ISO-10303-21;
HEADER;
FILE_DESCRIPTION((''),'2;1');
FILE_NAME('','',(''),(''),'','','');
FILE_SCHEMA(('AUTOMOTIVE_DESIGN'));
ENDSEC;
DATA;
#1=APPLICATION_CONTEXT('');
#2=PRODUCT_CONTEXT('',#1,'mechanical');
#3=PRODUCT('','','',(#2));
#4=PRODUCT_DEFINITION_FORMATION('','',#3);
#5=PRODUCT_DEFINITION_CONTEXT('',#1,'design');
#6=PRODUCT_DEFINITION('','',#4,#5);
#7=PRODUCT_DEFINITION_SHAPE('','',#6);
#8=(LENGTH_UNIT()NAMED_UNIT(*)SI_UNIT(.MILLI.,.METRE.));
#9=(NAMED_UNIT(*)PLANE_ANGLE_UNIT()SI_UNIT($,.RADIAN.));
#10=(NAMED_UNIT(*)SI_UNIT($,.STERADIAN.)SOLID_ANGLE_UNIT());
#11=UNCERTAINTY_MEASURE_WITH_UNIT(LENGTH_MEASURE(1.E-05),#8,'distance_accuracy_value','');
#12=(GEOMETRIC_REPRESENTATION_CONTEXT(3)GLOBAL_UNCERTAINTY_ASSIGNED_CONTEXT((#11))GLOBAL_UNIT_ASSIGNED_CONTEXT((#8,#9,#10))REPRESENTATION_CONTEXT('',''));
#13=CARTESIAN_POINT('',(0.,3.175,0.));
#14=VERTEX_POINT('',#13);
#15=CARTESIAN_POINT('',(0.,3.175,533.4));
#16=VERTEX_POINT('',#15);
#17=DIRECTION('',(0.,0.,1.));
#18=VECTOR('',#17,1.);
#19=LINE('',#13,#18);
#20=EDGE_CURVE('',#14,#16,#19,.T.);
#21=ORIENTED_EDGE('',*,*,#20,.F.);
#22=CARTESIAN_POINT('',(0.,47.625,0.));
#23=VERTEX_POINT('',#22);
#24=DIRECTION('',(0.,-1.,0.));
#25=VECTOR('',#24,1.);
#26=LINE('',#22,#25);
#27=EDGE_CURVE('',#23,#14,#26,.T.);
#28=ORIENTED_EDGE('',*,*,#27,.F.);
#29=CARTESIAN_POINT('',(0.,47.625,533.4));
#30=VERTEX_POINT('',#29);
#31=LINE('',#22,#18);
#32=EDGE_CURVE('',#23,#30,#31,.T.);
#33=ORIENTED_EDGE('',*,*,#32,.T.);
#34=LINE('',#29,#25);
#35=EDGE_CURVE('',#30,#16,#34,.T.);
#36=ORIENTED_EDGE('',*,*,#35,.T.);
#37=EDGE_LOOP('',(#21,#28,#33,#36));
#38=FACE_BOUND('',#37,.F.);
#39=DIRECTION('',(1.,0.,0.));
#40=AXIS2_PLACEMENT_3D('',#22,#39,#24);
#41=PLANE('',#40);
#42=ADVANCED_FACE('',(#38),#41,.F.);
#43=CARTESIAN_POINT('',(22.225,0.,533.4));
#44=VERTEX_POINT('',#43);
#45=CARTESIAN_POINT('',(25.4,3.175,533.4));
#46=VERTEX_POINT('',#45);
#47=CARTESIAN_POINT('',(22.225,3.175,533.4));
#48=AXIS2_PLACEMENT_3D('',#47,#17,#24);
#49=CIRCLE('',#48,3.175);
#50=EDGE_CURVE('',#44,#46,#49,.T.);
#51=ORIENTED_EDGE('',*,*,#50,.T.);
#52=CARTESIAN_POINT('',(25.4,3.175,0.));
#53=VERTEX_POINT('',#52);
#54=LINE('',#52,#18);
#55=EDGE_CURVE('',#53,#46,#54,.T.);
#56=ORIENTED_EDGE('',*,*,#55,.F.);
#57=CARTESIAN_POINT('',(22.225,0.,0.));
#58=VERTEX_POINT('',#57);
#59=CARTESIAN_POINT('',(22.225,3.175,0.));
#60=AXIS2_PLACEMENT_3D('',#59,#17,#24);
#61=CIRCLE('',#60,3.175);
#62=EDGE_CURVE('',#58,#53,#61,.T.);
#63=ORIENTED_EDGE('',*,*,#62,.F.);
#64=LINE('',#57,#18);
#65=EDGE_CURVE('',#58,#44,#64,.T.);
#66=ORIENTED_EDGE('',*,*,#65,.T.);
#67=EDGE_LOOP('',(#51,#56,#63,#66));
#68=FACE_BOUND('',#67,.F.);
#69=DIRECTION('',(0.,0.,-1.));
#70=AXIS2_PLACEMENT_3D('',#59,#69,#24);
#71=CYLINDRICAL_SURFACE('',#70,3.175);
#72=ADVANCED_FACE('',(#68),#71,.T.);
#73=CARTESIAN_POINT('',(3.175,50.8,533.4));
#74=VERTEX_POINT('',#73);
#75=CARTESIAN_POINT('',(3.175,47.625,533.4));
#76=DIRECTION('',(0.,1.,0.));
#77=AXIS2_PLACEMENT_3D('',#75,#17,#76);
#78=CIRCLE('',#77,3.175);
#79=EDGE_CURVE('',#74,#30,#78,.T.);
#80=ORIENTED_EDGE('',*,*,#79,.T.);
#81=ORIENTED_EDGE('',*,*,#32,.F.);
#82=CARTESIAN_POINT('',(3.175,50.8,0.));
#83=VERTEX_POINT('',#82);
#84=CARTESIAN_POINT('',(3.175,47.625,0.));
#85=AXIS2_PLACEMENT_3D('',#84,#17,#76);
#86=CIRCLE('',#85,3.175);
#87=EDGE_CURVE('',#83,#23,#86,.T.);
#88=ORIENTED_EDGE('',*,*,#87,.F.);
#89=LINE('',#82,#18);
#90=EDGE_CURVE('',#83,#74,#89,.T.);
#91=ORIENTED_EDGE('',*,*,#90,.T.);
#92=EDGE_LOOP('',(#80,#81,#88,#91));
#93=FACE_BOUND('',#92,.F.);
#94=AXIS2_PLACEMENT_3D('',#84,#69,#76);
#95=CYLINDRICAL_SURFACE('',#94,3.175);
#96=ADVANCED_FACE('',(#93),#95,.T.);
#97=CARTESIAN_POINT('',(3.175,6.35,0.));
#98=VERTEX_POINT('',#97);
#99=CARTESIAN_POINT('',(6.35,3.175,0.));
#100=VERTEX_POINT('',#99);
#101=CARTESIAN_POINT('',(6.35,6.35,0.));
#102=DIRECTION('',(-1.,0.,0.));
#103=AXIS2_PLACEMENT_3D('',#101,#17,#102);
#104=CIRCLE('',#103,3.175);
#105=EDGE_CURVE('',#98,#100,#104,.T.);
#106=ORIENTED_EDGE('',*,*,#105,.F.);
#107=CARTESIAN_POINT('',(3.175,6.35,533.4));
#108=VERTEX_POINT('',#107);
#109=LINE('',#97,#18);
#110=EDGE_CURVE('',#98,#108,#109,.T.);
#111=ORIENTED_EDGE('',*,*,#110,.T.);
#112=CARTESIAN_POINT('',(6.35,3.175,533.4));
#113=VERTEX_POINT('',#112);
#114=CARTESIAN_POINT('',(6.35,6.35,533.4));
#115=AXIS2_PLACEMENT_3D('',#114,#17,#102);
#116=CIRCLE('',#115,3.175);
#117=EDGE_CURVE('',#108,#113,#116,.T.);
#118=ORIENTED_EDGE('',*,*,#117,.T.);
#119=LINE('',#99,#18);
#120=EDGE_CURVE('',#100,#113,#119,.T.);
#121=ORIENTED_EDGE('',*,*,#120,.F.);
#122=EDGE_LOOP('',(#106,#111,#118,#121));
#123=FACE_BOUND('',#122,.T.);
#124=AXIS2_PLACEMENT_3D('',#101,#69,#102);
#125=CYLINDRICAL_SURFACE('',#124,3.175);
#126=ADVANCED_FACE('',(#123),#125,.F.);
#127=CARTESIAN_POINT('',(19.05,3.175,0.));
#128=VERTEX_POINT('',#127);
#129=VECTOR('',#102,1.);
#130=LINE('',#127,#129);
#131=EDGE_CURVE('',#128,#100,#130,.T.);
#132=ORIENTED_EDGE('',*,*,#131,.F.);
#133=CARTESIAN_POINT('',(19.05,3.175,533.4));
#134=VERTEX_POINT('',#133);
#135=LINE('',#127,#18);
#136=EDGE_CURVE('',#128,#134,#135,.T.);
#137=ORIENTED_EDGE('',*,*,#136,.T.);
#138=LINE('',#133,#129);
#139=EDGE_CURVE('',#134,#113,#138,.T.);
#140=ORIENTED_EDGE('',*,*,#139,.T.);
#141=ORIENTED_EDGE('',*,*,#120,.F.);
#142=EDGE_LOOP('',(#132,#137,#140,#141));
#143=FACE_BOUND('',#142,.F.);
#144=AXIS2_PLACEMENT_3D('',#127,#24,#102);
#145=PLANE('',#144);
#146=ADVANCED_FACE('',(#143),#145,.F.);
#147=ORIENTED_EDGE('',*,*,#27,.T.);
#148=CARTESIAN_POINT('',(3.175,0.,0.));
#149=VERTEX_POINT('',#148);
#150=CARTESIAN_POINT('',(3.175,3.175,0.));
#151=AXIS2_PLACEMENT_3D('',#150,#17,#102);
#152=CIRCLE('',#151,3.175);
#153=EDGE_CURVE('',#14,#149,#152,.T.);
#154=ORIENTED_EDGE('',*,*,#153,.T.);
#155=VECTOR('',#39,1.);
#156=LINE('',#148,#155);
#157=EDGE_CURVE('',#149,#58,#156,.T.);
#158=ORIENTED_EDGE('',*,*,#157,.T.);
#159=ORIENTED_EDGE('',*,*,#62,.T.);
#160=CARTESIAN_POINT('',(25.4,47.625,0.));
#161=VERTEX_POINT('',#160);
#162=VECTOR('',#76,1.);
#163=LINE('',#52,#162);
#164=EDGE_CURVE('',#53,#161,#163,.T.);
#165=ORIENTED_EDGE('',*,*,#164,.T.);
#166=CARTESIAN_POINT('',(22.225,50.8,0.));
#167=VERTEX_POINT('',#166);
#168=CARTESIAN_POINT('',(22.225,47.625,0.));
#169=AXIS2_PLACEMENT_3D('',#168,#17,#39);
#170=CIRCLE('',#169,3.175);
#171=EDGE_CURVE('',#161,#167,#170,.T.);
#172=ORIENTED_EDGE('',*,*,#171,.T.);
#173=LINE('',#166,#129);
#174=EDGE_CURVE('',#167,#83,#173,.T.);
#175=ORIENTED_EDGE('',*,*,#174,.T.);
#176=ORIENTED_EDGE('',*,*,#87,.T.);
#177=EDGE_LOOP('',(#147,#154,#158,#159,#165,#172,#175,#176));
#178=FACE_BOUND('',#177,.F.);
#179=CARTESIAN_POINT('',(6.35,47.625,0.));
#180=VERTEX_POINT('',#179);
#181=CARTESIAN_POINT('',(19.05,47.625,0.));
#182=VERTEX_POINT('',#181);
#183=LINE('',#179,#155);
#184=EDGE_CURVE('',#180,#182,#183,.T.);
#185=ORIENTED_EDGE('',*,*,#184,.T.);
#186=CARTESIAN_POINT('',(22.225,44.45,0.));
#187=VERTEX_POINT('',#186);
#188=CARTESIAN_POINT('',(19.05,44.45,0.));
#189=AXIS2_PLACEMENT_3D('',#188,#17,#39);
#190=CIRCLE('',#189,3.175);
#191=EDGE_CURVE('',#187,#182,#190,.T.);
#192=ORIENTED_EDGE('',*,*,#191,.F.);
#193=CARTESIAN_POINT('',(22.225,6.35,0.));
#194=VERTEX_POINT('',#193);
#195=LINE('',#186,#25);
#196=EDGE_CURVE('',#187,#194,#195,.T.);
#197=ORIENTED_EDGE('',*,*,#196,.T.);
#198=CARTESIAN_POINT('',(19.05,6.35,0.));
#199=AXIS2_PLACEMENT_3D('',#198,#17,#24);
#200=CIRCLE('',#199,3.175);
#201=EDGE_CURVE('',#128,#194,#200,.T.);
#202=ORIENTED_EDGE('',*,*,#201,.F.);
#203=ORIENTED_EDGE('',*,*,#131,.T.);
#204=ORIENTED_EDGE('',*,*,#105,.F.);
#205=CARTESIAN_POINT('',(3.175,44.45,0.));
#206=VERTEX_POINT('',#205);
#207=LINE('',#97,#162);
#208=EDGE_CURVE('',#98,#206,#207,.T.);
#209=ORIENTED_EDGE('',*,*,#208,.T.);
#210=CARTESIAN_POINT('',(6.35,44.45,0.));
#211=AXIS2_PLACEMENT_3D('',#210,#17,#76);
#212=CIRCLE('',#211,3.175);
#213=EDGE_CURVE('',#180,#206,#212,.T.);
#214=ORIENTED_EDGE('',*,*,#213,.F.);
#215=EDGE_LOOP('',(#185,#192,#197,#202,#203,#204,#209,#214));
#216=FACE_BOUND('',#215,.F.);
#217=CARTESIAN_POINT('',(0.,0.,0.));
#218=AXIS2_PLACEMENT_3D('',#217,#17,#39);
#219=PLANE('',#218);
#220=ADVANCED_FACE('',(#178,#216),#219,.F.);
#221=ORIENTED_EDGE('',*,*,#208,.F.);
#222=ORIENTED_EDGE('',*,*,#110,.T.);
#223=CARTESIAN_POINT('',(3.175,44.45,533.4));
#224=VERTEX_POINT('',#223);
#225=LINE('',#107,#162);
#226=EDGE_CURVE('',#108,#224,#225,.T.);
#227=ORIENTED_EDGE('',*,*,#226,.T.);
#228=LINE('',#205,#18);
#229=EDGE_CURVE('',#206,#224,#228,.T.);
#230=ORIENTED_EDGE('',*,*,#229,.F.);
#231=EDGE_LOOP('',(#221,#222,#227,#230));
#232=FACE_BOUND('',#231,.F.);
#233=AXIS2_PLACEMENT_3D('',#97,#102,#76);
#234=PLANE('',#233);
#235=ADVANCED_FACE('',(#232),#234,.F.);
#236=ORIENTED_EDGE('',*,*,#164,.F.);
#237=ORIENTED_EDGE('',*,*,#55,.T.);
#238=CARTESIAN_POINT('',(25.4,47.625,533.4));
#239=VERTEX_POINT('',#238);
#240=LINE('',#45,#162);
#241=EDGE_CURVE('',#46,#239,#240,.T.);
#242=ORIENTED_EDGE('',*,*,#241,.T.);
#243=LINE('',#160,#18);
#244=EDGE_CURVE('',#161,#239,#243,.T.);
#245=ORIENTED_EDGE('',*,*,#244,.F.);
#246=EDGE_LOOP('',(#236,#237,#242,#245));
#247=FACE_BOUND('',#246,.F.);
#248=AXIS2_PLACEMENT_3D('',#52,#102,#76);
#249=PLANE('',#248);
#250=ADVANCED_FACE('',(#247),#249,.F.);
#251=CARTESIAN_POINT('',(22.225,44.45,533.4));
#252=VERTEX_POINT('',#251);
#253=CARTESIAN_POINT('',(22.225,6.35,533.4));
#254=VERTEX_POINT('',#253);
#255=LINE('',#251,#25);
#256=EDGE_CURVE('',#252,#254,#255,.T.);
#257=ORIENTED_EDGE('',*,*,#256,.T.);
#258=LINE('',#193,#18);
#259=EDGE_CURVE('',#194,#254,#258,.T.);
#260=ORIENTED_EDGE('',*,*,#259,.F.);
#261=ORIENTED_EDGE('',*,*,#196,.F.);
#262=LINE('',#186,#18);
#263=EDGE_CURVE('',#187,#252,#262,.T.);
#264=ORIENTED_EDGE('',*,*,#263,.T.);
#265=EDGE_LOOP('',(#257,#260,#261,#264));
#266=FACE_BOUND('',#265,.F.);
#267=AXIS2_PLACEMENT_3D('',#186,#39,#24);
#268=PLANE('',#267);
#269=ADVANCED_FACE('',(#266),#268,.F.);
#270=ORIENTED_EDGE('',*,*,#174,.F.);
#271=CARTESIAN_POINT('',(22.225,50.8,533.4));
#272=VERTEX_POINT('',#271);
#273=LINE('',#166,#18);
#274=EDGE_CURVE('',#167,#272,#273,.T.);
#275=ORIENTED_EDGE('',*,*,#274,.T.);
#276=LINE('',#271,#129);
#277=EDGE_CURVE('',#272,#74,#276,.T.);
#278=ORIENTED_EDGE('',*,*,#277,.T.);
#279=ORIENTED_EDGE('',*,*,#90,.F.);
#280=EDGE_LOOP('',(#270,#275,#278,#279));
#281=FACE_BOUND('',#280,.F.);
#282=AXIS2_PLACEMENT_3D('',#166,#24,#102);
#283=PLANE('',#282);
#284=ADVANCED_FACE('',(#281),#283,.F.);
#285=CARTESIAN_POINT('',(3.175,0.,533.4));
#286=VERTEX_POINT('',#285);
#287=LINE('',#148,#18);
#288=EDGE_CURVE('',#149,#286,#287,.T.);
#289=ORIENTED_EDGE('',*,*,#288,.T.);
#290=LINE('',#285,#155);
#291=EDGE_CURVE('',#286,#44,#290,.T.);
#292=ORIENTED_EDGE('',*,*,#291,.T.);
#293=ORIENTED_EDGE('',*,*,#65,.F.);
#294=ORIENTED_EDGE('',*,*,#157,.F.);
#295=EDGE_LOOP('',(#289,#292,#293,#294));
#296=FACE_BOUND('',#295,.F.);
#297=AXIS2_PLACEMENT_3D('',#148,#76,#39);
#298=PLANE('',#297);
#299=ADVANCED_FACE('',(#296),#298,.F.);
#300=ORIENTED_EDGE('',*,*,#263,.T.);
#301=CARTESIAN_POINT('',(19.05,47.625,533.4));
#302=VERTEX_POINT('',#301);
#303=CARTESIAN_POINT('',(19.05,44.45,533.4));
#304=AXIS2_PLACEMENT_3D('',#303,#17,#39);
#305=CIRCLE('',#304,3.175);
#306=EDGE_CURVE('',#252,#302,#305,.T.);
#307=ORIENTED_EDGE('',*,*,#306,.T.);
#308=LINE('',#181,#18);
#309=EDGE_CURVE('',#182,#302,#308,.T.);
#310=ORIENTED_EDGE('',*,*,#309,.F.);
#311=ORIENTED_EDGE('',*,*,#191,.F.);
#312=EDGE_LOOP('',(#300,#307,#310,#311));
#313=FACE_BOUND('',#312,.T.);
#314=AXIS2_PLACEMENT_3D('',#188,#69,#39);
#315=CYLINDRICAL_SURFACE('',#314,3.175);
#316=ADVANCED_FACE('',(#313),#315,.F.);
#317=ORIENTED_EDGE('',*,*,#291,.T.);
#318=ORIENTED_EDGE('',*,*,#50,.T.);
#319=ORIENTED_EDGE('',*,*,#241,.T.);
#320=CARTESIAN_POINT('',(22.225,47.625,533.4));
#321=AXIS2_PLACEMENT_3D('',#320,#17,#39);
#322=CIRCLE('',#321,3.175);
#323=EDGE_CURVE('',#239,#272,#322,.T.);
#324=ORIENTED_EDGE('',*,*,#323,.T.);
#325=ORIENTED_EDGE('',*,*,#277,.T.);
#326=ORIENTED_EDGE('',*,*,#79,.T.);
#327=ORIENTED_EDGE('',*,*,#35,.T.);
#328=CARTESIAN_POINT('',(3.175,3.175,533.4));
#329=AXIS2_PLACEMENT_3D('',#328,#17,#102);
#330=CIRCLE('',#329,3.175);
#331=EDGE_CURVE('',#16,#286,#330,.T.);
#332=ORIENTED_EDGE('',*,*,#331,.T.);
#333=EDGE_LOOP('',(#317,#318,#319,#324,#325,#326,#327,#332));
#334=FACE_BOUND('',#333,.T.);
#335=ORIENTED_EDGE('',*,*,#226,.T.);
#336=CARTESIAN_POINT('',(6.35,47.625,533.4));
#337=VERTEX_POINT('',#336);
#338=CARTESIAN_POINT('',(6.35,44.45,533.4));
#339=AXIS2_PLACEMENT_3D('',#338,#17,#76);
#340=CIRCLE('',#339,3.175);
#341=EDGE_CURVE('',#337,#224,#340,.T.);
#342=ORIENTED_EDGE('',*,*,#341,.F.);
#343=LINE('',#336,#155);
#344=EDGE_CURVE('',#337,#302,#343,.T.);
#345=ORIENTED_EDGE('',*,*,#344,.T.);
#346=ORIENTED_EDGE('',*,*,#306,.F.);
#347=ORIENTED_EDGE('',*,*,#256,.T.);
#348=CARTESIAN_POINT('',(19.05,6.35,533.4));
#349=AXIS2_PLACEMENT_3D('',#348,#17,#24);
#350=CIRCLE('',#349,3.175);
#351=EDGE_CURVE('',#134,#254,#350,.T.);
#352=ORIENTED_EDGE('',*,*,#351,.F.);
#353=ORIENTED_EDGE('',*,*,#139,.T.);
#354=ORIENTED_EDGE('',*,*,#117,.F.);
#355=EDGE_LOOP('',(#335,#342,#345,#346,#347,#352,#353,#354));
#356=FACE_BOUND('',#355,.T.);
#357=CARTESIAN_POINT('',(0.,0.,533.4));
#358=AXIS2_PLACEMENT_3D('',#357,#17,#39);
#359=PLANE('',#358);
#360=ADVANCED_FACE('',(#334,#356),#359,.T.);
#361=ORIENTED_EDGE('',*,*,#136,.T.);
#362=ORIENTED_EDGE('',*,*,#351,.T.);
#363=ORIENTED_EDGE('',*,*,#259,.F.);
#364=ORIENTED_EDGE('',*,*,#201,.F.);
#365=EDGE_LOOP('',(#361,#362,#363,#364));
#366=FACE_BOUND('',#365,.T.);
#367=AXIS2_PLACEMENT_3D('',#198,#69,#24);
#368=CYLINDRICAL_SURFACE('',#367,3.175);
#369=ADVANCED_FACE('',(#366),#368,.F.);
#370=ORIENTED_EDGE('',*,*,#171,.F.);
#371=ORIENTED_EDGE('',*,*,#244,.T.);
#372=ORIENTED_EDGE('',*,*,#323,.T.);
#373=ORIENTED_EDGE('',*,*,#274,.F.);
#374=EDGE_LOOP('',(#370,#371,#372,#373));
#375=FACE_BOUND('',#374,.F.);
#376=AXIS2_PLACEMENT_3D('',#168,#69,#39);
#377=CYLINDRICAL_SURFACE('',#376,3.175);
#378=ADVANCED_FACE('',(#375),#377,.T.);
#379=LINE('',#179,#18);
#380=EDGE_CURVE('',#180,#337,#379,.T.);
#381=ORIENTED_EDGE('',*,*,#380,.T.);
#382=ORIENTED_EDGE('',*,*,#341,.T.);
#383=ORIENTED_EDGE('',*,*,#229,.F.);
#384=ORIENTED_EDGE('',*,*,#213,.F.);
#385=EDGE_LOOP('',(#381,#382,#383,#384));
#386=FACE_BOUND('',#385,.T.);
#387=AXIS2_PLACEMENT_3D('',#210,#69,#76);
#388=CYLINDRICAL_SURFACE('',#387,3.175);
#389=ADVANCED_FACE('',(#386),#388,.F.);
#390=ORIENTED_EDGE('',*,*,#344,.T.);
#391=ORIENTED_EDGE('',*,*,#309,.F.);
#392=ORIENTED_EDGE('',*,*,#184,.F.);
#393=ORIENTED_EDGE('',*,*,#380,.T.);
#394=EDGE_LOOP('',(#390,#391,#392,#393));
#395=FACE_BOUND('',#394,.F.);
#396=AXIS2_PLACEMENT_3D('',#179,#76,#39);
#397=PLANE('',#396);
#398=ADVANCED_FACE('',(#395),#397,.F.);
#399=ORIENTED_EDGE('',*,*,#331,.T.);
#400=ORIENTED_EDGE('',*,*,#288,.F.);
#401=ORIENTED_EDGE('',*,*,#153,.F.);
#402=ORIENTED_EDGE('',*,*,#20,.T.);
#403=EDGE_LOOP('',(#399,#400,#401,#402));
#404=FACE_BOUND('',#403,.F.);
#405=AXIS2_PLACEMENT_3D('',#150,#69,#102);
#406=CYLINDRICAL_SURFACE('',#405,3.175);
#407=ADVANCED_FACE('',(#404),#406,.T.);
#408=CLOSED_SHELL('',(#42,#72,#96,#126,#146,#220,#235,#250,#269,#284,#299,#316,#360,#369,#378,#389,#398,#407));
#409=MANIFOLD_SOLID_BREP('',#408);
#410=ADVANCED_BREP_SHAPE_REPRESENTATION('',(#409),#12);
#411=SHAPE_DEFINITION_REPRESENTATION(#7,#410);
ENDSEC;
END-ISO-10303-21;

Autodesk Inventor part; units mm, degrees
ref_plane "YZ Plane" through (0, 0, 0) normal (1, 0, 0) x (0, 1, 0)
ref_plane "XZ Plane" through (0, 0, 0) normal (0, 1, 0) x (-1, 0, 0)
ref_plane "XY Plane" through (0, 0, 0) normal (0, 0, 1) x (1, 0, 0)
sketch "Sketch1" plane through (0, 0, 0) normal (0, 0, 1) x (1, 0, 0)
  line L0 (3.175, 0) -> (22.225, 0)
  line L1 (25.4, 3.175) -> (25.4, 47.625)
  line L2 (22.225, 50.8) -> (3.175, 50.8)
  line L3 (0, 47.625) -> (0, 3.175)
  arc A0 (3.175, 50.8) -> (0, 47.625) centre (3.175, 47.625) ccw
  arc A1 (25.4, 47.625) -> (22.225, 50.8) centre (22.225, 47.625) ccw
  arc A2 (22.225, 0) -> (25.4, 3.175) centre (22.225, 3.175) ccw
  arc A3 (0, 3.175) -> (3.175, 0) centre (3.175, 3.175) ccw
  line L4 (6.35, 47.625) -> (19.05, 47.625)
  line L5 (22.225, 44.45) -> (22.225, 6.35)
  line L6 (19.05, 3.175) -> (6.35, 3.175)
  line L7 (3.175, 6.35) -> (3.175, 44.45)
  arc A4 (6.35, 47.625) -> (3.175, 44.45) centre (6.35, 44.45) ccw
  arc A5 (22.225, 44.45) -> (19.05, 47.625) centre (19.05, 44.45) ccw
  arc A6 (3.175, 6.35) -> (6.35, 3.175) centre (6.35, 6.35) ccw
  arc A7 (19.05, 3.175) -> (22.225, 6.35) centre (19.05, 6.35) ccw
  point P0 (0, 0)
  point P1 (25.4, 0)
  point P2 (0, 50.8)
  dimension "d0" = 50.8
  dimension "d1" = 25.4
  dimension "d2" = 3.175
  dimension "d3" = 3.175
  dimension "d4" = 3.175
  dimension "d5" = 3.175
  dimension "d6" = 3.175
  dimension "d7" = 3.175
  dimension "d8" = 3.175
  dimension "d9" = 3.175
  dimension "d10" = 3.175
extrude "Extrusion1" add sketch "Sketch1" along normal blind 533.4
properties part number "O channel 21 inch"
